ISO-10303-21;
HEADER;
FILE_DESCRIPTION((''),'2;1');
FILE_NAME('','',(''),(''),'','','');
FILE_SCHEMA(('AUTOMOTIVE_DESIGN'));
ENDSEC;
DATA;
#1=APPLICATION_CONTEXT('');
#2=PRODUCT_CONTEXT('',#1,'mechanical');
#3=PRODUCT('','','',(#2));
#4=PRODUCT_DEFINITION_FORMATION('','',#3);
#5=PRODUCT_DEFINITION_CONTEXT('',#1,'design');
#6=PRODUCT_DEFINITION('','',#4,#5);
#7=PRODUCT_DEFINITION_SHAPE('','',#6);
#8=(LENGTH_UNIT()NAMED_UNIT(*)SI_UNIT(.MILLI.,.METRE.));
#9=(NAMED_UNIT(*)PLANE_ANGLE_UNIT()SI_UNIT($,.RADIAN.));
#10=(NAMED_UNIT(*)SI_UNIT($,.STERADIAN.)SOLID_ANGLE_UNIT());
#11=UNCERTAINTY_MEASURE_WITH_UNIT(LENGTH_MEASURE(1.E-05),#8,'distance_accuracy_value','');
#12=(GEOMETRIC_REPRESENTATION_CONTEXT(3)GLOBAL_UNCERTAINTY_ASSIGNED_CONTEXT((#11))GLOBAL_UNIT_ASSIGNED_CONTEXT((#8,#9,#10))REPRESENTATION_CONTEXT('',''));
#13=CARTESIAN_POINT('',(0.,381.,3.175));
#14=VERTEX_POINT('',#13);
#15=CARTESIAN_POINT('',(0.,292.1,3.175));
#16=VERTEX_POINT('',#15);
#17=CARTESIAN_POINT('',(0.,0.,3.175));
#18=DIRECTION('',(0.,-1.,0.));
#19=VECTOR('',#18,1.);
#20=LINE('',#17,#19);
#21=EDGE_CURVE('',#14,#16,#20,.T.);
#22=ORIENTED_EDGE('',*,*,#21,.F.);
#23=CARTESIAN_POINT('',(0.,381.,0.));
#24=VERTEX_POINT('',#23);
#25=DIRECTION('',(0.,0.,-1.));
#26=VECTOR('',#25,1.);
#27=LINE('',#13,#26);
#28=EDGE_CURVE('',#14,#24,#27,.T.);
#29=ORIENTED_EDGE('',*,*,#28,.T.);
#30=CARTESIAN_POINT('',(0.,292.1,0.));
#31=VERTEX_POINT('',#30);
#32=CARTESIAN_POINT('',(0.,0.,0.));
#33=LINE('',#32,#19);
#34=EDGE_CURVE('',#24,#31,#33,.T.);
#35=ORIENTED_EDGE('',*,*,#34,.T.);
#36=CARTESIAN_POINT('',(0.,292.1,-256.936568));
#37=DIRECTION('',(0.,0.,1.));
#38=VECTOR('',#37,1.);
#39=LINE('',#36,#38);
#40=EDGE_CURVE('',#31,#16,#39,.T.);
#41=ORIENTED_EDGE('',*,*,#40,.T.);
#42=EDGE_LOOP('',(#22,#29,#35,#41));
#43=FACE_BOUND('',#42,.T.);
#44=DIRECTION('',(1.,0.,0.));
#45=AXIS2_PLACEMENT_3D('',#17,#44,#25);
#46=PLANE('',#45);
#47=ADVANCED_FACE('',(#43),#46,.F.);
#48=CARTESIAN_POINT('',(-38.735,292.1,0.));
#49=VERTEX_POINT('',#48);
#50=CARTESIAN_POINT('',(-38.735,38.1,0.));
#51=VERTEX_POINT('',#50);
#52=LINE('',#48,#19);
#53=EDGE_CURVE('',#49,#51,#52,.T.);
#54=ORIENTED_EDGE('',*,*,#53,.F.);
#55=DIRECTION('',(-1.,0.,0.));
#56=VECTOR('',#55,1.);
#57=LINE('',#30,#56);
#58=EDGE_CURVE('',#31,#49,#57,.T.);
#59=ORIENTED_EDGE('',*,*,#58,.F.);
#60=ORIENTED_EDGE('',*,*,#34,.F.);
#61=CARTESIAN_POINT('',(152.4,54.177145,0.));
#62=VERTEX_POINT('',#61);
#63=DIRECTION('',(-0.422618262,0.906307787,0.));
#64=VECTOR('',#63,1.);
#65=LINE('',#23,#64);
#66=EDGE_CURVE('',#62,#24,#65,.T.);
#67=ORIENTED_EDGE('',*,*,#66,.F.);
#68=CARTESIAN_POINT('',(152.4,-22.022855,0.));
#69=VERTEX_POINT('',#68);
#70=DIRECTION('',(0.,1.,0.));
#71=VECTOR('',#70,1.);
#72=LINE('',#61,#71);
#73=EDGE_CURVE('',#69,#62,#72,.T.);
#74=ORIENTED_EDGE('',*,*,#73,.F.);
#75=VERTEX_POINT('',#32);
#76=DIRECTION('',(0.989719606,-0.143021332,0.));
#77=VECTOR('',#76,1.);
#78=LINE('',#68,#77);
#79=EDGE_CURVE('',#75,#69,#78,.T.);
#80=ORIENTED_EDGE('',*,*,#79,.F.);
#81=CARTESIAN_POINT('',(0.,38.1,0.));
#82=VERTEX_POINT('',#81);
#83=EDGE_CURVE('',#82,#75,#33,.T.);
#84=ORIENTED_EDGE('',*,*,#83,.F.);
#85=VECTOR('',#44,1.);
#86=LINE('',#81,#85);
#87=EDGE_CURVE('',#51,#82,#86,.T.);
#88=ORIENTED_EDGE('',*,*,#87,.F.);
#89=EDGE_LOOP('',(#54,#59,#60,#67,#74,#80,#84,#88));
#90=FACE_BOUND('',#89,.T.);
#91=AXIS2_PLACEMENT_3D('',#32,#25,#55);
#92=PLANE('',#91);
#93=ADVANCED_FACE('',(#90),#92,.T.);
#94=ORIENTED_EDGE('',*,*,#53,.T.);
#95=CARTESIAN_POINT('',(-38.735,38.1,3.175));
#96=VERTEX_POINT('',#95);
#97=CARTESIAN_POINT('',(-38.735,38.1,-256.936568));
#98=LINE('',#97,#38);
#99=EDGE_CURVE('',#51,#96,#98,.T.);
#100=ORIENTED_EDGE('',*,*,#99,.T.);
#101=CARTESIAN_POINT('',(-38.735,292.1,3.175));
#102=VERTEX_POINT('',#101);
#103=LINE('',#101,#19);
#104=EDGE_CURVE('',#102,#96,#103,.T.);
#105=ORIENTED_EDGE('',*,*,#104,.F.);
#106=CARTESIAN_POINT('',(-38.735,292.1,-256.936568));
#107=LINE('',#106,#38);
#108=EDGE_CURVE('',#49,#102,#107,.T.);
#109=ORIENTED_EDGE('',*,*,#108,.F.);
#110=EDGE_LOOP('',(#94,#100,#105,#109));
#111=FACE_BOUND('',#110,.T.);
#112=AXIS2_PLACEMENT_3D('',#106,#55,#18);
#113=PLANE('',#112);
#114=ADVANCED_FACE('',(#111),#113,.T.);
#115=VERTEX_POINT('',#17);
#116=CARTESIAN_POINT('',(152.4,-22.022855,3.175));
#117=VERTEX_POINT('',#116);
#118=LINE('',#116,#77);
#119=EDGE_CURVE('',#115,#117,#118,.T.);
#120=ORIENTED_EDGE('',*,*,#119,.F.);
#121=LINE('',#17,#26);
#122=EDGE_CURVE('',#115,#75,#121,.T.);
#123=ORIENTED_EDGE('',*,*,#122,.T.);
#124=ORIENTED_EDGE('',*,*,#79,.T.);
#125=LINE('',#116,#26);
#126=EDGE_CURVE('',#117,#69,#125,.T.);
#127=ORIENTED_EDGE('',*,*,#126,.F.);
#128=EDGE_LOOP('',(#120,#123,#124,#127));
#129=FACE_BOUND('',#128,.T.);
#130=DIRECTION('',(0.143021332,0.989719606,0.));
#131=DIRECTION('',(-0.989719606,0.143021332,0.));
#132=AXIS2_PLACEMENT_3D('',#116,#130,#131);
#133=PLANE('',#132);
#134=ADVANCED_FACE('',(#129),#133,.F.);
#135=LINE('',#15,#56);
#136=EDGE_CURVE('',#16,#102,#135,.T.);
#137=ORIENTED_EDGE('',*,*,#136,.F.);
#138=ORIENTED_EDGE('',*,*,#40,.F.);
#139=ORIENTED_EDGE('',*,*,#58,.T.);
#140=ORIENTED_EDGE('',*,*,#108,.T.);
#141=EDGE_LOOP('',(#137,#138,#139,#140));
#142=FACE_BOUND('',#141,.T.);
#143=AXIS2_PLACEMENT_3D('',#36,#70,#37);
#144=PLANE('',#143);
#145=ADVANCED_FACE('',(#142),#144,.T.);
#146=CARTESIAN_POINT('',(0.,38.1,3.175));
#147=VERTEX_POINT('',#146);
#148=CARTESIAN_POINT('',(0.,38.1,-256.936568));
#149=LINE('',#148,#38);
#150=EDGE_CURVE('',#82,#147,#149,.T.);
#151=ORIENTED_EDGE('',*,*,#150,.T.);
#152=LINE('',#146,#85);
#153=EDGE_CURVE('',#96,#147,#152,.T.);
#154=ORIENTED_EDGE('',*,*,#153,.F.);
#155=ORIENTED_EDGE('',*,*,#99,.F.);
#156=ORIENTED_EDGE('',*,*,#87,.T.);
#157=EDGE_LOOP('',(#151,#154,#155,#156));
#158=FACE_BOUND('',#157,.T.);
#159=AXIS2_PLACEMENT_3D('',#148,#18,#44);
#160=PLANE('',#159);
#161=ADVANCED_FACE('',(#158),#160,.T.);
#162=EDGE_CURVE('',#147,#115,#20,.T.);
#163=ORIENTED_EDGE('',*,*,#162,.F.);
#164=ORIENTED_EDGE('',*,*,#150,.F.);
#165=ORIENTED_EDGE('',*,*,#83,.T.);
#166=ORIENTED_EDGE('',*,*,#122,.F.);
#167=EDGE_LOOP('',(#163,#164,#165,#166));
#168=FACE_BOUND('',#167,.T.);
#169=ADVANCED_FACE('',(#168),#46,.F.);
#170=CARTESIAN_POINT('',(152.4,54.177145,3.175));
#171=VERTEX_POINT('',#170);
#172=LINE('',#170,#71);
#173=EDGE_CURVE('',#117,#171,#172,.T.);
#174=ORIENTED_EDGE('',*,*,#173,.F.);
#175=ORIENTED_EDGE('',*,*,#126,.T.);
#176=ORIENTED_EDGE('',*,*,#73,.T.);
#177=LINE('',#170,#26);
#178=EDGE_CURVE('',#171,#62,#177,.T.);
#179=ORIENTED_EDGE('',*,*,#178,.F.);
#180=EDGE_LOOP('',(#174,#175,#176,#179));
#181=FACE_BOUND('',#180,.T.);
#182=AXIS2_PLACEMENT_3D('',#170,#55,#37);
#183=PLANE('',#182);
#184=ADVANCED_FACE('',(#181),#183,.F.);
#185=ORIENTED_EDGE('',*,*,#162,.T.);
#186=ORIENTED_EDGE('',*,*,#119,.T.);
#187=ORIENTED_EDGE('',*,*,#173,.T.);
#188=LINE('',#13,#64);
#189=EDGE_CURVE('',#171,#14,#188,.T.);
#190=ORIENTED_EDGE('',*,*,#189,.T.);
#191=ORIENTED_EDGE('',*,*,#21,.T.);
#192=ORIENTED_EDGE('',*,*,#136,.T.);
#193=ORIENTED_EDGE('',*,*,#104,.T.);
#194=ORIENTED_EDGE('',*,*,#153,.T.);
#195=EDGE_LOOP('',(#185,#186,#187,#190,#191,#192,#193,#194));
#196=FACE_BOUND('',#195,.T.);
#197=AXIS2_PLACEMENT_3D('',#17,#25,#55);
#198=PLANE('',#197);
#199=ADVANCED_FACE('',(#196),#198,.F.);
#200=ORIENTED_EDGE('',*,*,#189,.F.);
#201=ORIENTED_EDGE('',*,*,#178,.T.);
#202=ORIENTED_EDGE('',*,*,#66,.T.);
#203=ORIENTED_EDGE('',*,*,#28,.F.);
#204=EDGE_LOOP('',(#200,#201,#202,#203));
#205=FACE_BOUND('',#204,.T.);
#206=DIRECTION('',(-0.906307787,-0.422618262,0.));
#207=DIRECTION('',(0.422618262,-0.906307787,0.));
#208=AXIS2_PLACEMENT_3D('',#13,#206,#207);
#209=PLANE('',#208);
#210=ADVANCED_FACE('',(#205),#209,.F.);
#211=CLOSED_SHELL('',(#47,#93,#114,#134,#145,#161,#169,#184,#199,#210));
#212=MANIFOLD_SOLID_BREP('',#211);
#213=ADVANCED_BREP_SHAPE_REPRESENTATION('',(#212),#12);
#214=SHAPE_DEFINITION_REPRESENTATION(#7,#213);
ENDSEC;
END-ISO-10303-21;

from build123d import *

# Parameters (mm, degrees)
BOSS_EXTRUDE1_DEPTH = 3.175
SKETCH2_W           = 38.735
SKETCH2_H           = 254
BOSS_EXTRUDE2_DEPTH = 3.175


with BuildPart() as part:
    # Sketch1 → Boss-Extrude1 (new body)
    with BuildSketch(Plane.XY):
        Polygon((0, 0), (0, 381), (152.4, 54.177145314), (152.4, -22.022854686), align=None)
    extrude(amount=BOSS_EXTRUDE1_DEPTH)

    # Sketch2 → Boss-Extrude2 (add)
    with BuildSketch(Plane.XY.offset(3.175)):
        with Locations((-19.3675, 165.1)):
            Rectangle(SKETCH2_W, SKETCH2_H)
    extrude(amount=-BOSS_EXTRUDE2_DEPTH)


solid = part.part
